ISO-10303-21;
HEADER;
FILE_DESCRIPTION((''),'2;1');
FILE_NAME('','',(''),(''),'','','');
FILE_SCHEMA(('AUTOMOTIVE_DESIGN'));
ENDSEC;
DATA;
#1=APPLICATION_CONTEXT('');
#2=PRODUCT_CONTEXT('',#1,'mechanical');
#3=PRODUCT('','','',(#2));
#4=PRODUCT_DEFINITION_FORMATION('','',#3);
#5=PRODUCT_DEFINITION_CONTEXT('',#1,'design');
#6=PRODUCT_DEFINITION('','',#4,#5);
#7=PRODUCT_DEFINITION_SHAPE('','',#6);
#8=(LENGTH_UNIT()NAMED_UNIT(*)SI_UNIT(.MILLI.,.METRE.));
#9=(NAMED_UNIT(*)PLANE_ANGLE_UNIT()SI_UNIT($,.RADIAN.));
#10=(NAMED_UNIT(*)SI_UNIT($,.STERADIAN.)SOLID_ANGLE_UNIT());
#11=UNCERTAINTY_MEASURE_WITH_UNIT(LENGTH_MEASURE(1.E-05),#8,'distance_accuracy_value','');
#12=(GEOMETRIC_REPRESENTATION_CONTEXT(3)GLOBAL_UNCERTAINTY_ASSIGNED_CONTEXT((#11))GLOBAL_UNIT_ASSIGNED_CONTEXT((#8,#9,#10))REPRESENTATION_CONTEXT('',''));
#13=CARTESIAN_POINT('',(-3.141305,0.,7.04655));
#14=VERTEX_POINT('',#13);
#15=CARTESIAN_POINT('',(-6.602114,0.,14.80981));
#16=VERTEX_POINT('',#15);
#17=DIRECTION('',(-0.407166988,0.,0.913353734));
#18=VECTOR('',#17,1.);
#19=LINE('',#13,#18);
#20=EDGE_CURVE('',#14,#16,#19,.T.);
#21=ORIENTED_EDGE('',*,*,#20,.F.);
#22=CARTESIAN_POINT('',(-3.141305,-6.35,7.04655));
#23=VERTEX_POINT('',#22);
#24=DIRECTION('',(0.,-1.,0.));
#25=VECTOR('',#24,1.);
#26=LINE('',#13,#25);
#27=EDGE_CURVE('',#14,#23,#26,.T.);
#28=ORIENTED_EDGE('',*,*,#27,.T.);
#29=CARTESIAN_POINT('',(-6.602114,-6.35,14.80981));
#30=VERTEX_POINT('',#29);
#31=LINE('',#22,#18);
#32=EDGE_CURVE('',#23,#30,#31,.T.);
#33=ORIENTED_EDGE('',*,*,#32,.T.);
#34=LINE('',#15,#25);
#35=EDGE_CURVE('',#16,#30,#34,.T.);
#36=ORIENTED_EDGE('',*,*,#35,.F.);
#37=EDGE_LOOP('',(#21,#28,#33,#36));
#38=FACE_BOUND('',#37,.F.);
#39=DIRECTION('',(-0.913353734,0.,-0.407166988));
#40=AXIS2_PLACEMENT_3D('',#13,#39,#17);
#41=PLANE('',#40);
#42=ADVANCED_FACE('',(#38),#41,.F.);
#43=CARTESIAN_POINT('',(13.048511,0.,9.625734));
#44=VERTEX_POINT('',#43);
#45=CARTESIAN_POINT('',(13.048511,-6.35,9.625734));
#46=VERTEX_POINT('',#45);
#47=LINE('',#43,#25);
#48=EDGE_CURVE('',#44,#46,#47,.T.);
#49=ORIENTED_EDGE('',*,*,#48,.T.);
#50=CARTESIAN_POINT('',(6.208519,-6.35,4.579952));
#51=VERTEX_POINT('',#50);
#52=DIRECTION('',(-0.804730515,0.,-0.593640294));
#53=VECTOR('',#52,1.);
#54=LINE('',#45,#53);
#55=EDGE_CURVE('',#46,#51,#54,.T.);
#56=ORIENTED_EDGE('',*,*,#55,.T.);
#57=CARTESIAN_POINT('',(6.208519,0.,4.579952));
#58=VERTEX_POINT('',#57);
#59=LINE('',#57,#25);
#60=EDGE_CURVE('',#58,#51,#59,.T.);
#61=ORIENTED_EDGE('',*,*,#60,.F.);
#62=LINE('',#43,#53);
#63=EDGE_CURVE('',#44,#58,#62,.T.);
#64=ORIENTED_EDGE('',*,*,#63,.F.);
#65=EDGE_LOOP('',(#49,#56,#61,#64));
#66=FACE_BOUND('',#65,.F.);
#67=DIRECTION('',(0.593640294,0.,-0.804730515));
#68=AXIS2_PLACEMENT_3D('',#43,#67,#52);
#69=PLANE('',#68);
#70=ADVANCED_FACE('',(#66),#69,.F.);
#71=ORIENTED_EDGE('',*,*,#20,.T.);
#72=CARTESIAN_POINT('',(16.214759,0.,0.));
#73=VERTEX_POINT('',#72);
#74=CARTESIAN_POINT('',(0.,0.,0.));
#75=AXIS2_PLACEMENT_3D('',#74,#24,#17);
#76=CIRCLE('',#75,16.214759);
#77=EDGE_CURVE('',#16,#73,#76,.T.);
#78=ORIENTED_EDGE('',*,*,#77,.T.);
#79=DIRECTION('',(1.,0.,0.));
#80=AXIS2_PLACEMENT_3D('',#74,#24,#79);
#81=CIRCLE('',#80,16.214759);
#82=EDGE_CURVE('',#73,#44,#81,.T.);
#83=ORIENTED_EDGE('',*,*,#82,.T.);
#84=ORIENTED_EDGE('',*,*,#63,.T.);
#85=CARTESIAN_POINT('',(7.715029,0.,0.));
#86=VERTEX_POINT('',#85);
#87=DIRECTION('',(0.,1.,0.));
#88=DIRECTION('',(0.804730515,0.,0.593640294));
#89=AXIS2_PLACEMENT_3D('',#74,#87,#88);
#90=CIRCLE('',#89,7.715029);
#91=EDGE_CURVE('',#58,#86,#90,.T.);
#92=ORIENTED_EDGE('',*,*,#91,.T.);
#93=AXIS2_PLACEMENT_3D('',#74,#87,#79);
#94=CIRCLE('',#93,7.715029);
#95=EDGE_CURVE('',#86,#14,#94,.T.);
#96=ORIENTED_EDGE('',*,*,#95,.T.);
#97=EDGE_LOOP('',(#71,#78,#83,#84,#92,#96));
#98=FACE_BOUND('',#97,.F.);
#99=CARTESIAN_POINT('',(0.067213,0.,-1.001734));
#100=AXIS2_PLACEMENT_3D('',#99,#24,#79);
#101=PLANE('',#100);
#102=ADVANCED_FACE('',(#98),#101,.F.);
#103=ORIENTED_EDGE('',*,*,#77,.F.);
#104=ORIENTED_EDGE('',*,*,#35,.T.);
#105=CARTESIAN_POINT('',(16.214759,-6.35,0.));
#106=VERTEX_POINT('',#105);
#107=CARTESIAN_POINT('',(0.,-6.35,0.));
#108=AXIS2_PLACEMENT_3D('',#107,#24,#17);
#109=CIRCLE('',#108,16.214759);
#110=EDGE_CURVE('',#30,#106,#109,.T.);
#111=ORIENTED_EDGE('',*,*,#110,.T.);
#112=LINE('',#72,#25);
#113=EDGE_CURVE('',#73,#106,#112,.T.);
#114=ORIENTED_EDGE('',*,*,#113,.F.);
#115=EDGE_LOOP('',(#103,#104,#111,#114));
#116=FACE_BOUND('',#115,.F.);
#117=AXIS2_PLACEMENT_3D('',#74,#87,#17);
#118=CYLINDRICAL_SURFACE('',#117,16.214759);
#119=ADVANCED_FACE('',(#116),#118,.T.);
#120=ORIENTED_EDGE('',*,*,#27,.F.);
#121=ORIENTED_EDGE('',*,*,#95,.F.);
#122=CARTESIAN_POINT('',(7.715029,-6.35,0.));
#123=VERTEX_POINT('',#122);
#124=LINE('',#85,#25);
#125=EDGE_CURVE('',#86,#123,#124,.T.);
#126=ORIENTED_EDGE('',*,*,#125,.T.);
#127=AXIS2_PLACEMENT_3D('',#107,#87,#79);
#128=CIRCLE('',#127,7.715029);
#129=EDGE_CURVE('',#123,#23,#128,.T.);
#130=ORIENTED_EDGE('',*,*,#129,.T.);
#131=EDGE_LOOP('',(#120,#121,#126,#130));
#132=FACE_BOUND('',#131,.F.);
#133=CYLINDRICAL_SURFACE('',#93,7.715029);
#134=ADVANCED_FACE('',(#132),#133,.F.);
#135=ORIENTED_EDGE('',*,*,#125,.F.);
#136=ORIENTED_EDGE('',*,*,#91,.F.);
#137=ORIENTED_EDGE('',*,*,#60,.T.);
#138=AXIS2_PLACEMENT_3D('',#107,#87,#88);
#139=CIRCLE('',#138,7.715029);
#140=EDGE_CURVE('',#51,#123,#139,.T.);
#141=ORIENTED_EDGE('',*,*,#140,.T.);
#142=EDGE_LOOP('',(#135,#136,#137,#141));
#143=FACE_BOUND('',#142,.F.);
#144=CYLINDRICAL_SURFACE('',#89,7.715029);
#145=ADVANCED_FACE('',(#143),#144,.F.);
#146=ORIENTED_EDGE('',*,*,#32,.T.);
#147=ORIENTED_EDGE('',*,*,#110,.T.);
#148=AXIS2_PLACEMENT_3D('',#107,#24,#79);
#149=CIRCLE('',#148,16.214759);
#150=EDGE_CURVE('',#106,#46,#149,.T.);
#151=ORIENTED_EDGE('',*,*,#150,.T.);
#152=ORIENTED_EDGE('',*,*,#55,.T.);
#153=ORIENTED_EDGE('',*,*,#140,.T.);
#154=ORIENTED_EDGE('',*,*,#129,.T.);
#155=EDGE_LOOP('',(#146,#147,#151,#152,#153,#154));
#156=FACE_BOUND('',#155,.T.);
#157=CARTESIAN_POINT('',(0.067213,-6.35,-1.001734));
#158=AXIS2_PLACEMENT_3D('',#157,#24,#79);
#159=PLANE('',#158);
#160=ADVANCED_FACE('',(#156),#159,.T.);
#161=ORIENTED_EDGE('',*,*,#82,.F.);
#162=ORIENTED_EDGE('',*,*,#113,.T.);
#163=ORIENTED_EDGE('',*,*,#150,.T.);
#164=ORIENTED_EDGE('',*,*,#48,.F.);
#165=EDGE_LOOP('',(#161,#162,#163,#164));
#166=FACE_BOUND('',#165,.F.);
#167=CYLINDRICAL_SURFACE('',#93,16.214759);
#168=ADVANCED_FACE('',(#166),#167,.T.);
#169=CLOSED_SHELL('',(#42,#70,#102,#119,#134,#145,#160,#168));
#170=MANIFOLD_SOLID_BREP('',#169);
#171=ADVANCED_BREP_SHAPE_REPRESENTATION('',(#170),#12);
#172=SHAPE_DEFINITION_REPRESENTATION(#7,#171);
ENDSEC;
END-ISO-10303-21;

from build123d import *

# Parameters (mm, degrees)
F1_DEPTH = 6.35


with BuildPart() as f1:
    # F0 (on Front) → F1 (new body)
    with BuildSketch(Plane.XZ):
        with BuildLine():
            ThreePointArc((-6.6021143967, 14.8098102646), (-8.8279868534, -13.6009206561), (16.2147585421, 0))
            ThreePointArc((16.2147585421, 0), (15.4028706668, 5.066554036), (13.0485109865, 9.6257340299))
            Line((13.0485109865, 9.6257340299), (6.2085189912, 4.5799518881))
            ThreePointArc((6.2085189912, 4.5799518881), (7.3287300867, 2.410680957), (7.7150286688, 0))
            ThreePointArc((7.7150286688, 0), (-4.2003814911, -6.471357098), (-3.1413049854, 7.0465502446))
            Line((-3.1413049854, 7.0465502446), (-6.6021143967, 14.8098102646))
        make_face()
    extrude(amount=F1_DEPTH)


solid = f1.part
